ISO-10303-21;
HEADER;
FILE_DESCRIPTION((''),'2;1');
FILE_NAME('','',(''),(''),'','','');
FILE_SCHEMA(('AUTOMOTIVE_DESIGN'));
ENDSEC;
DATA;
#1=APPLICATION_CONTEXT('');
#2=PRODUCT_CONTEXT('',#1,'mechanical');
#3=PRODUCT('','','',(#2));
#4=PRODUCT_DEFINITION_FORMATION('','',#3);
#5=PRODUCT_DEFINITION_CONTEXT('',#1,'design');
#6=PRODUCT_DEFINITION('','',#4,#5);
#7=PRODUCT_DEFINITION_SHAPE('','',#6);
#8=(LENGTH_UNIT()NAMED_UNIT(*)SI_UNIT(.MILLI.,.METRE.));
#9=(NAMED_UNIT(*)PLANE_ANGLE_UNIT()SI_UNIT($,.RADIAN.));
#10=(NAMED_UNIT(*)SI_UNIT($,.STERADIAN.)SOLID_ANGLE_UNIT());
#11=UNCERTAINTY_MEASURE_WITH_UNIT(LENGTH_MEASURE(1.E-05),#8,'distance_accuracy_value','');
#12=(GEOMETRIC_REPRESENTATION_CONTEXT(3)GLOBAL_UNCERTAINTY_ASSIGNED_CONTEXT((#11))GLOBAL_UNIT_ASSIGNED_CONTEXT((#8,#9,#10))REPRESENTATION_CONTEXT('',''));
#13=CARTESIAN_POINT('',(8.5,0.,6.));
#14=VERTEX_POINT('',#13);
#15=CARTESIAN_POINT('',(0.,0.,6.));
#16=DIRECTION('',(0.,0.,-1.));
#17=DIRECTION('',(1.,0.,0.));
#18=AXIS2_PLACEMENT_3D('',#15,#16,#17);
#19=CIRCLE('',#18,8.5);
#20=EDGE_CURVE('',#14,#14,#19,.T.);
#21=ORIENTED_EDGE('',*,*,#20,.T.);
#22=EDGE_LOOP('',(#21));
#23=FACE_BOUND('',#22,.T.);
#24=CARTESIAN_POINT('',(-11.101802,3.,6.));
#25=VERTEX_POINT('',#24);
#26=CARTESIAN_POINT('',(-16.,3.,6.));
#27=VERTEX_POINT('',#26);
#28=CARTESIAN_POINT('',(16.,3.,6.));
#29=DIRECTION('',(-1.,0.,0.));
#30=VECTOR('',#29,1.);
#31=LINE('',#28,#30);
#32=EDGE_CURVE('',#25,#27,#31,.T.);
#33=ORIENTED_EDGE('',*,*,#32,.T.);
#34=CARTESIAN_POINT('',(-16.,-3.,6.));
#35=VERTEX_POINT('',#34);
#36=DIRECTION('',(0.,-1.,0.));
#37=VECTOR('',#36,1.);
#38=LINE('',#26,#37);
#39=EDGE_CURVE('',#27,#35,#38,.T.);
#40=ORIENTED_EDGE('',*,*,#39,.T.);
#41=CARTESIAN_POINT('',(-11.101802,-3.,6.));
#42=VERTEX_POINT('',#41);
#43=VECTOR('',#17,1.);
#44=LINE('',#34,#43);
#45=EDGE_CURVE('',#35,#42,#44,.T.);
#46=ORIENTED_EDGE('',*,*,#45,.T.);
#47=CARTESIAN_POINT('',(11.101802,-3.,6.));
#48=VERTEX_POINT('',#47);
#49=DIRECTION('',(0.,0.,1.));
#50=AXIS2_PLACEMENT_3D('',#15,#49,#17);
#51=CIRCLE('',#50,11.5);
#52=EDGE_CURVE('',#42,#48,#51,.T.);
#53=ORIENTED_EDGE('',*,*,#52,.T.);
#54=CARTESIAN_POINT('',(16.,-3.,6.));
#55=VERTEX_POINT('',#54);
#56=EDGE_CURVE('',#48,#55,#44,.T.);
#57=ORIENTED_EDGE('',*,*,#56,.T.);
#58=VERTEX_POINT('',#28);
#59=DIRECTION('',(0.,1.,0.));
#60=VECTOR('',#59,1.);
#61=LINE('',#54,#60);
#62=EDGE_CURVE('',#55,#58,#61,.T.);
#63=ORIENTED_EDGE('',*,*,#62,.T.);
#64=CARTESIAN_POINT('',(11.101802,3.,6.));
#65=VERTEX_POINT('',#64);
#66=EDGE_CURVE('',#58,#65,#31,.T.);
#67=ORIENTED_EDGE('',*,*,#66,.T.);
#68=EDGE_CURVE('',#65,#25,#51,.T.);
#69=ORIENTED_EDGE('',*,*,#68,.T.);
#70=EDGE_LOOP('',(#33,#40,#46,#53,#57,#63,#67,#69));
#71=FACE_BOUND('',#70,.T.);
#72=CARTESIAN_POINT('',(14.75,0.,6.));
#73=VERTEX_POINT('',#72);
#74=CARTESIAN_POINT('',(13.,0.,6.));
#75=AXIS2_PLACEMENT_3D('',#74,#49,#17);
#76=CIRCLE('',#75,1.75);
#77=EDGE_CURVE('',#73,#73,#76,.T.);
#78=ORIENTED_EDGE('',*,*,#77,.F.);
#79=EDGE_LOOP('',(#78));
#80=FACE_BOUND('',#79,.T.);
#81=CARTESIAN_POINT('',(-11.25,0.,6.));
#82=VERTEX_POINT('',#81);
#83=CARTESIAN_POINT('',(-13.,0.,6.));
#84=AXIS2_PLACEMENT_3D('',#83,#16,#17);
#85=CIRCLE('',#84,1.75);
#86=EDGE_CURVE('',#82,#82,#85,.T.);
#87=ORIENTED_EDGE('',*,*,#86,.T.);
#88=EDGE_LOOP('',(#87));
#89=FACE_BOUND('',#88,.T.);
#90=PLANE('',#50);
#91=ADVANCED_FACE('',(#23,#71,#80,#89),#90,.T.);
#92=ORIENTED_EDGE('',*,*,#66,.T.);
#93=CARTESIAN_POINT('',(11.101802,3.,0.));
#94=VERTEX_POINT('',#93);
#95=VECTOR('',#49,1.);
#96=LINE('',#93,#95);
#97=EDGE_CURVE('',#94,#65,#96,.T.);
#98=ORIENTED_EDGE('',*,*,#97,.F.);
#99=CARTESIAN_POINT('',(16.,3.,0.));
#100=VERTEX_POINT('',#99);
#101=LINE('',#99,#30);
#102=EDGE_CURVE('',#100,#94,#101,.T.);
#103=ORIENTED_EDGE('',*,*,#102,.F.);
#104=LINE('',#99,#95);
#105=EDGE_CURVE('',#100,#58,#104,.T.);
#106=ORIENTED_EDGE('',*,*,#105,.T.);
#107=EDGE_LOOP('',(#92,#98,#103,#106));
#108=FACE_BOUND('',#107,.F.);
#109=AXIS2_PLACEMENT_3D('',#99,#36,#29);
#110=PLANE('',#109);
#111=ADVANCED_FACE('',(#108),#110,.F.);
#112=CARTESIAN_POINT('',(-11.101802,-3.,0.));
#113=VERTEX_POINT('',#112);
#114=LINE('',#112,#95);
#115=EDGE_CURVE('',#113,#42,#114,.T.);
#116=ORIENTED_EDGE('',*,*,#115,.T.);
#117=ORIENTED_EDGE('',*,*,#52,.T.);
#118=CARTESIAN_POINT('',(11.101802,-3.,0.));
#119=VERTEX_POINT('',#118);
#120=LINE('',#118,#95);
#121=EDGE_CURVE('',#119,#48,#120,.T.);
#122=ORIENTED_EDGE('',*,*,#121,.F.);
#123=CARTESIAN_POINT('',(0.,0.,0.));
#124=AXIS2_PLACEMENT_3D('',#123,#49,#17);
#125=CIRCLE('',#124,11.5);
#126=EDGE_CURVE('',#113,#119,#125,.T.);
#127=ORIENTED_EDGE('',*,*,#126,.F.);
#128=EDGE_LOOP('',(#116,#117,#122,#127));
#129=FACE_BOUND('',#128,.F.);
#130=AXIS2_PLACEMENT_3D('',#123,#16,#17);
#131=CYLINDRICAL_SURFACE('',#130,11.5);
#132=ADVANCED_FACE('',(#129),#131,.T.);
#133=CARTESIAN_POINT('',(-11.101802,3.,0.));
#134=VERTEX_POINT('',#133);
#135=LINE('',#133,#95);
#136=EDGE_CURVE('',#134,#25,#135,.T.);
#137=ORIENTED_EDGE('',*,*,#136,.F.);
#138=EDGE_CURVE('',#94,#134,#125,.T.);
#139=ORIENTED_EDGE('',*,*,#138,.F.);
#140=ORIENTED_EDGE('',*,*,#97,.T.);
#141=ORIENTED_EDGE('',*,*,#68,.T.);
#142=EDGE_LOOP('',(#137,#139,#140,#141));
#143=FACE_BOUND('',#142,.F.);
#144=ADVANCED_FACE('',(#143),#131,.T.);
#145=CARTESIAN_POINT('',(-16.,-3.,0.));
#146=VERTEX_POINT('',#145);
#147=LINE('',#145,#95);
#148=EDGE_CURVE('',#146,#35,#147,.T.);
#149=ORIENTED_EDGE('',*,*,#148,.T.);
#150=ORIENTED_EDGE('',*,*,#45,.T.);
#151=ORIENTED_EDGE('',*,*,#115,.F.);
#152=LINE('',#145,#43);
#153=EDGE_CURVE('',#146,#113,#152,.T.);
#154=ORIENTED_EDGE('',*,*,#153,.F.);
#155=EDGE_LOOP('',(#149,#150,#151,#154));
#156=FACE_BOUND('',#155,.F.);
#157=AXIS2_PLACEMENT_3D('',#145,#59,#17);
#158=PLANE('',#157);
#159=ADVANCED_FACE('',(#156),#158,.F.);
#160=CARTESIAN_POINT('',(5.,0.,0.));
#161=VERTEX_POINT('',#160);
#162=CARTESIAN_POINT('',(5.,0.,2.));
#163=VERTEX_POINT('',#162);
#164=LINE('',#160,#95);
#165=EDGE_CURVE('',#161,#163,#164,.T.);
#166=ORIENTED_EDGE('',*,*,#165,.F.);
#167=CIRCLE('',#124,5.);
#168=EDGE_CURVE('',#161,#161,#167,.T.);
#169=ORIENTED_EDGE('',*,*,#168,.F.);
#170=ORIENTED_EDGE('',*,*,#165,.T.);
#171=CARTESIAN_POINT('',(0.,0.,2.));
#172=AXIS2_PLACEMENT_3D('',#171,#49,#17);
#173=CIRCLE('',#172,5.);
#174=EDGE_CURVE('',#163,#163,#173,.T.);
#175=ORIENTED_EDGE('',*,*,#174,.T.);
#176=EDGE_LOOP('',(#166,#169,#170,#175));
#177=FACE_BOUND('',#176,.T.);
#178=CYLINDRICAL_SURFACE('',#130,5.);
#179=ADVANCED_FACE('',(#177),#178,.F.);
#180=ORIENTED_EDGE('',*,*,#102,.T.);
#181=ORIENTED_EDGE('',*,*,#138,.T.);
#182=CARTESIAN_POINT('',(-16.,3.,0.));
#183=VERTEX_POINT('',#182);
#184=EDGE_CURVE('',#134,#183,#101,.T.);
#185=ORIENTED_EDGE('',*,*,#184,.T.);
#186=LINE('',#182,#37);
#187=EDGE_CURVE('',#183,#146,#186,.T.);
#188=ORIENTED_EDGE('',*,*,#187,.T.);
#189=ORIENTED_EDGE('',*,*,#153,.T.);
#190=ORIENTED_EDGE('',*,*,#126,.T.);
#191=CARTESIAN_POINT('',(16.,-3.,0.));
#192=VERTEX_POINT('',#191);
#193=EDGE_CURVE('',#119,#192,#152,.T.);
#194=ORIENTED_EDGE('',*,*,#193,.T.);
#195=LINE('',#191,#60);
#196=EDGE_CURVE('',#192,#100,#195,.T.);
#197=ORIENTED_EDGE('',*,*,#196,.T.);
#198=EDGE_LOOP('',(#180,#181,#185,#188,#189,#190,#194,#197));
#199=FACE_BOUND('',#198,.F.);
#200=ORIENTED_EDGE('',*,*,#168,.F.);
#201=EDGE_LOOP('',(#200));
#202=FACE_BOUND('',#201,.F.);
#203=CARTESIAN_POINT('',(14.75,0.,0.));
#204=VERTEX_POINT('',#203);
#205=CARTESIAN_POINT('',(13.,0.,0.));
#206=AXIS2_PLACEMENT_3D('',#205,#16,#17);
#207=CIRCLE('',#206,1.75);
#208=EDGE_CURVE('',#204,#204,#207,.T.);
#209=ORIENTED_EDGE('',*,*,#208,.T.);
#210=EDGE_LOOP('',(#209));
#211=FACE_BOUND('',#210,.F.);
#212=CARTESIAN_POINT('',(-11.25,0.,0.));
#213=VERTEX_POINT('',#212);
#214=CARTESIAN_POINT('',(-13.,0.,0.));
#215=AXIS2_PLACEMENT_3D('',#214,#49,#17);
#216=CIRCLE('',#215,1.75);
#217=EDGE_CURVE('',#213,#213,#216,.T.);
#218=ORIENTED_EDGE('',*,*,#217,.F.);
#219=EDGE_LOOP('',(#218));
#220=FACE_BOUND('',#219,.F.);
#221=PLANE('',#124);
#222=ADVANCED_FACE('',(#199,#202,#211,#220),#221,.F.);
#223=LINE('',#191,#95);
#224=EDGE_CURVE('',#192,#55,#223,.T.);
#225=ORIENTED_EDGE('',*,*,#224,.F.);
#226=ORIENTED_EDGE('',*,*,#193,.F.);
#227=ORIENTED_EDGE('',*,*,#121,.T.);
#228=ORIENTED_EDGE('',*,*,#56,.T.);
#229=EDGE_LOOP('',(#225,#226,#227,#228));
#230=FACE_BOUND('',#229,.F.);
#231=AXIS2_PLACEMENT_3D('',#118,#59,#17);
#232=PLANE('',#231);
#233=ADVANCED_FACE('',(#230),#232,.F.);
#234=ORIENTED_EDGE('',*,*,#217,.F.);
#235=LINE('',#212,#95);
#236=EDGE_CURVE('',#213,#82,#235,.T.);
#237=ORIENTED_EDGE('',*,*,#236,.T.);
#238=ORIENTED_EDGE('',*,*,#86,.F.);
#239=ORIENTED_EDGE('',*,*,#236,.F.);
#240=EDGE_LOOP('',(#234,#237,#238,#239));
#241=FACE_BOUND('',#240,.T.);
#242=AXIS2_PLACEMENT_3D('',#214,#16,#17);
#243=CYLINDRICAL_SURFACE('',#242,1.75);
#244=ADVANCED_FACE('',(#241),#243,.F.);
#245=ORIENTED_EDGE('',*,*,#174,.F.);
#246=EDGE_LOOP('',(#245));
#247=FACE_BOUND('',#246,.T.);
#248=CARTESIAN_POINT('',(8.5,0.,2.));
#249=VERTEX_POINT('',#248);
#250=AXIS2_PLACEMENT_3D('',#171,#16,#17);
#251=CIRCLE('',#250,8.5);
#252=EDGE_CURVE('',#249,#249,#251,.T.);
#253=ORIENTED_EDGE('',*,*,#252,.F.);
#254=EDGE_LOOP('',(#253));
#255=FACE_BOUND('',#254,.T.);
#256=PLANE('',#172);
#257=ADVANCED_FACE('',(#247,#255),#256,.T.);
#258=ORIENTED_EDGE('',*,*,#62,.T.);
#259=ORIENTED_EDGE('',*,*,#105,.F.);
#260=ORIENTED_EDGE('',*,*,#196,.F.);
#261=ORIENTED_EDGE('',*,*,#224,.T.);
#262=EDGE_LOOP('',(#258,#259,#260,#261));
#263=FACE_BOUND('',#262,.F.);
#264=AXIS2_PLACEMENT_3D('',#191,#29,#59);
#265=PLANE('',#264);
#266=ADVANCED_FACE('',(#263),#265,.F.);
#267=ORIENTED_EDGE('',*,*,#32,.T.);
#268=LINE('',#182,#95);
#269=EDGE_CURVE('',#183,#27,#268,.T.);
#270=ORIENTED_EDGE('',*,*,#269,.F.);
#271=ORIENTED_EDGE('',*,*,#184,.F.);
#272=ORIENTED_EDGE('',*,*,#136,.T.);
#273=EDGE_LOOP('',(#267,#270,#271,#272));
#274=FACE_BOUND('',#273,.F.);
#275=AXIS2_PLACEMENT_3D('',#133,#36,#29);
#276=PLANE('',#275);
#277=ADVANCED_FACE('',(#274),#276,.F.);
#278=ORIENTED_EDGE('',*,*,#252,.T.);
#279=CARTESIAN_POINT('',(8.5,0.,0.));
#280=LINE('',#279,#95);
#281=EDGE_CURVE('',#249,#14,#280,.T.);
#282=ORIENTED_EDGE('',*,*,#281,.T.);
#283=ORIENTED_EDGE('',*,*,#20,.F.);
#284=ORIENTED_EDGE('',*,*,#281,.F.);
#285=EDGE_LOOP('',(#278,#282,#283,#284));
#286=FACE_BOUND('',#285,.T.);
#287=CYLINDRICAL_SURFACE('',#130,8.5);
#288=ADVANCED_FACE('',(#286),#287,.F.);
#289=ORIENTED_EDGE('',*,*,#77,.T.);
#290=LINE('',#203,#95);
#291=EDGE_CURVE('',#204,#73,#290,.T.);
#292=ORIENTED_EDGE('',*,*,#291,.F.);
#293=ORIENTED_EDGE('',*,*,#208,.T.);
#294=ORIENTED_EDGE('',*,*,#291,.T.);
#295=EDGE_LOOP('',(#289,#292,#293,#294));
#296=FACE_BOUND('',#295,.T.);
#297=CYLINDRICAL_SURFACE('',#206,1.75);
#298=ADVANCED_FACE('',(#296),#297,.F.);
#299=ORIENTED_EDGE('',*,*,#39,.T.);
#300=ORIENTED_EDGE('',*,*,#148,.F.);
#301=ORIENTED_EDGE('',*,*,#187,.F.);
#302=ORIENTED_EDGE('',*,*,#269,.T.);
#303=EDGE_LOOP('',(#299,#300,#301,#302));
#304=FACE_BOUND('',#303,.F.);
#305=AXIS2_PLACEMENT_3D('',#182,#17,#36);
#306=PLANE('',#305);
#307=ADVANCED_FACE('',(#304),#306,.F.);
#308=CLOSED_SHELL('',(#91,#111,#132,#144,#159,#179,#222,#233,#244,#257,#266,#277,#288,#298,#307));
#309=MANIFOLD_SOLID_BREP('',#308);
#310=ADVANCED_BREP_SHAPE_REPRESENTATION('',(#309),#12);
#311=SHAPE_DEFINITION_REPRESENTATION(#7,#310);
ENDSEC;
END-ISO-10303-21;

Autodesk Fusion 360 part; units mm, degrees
sketch "Szkic1" plane through (0, 0, 0) normal (0, 0, 1) x (1, 0, 0)
  circle A0 centre (0, 0) radius 5
  circle A1 centre (0, 0) radius 8.5
  circle A2 centre (0, 0) radius 11.5
  circle A3 centre (13, 0) radius 1.75
  circle A4 centre (-13, 0) radius 1.75
  line L0 (16, 3) -> (-16, 3)
  line L1 (-16, 3) -> (-16, -3)
  line L2 (-16, -3) -> (16, -3)
  line L3 (16, -3) -> (16, 3)
  line L4 (16, 3) -> (-16, -3) construction
  line L5 (-16, 3) -> (16, -3) construction
  dimension "d1" = 10
  dimension "d2" = 17
  dimension "d3" = 23
  dimension "d4" = 3.5
  dimension "d5" = 13
  dimension "d6" = 3.5
  dimension "d7" = 13
  dimension "d8" = 32
  dimension "d9" = 6
extrude "Wyciągnięcie proste1" add sketch "Szkic1" along normal blind 6 contours A1 A2 A3 L0 L2 | A1 A2 L0 | A1 A2 L2 | A1 A2 A4 L0 L2 | A2 A3 L0 L2 L3 | A2 A4 L0 L1 L2
extrude "Wyciągnięcie proste2" add sketch "Szkic1" along normal blind 2 contours A0 A1 L0 L2 | A0 A1 L0 | A0 A1 L2 | A0 A1 L0 L2
